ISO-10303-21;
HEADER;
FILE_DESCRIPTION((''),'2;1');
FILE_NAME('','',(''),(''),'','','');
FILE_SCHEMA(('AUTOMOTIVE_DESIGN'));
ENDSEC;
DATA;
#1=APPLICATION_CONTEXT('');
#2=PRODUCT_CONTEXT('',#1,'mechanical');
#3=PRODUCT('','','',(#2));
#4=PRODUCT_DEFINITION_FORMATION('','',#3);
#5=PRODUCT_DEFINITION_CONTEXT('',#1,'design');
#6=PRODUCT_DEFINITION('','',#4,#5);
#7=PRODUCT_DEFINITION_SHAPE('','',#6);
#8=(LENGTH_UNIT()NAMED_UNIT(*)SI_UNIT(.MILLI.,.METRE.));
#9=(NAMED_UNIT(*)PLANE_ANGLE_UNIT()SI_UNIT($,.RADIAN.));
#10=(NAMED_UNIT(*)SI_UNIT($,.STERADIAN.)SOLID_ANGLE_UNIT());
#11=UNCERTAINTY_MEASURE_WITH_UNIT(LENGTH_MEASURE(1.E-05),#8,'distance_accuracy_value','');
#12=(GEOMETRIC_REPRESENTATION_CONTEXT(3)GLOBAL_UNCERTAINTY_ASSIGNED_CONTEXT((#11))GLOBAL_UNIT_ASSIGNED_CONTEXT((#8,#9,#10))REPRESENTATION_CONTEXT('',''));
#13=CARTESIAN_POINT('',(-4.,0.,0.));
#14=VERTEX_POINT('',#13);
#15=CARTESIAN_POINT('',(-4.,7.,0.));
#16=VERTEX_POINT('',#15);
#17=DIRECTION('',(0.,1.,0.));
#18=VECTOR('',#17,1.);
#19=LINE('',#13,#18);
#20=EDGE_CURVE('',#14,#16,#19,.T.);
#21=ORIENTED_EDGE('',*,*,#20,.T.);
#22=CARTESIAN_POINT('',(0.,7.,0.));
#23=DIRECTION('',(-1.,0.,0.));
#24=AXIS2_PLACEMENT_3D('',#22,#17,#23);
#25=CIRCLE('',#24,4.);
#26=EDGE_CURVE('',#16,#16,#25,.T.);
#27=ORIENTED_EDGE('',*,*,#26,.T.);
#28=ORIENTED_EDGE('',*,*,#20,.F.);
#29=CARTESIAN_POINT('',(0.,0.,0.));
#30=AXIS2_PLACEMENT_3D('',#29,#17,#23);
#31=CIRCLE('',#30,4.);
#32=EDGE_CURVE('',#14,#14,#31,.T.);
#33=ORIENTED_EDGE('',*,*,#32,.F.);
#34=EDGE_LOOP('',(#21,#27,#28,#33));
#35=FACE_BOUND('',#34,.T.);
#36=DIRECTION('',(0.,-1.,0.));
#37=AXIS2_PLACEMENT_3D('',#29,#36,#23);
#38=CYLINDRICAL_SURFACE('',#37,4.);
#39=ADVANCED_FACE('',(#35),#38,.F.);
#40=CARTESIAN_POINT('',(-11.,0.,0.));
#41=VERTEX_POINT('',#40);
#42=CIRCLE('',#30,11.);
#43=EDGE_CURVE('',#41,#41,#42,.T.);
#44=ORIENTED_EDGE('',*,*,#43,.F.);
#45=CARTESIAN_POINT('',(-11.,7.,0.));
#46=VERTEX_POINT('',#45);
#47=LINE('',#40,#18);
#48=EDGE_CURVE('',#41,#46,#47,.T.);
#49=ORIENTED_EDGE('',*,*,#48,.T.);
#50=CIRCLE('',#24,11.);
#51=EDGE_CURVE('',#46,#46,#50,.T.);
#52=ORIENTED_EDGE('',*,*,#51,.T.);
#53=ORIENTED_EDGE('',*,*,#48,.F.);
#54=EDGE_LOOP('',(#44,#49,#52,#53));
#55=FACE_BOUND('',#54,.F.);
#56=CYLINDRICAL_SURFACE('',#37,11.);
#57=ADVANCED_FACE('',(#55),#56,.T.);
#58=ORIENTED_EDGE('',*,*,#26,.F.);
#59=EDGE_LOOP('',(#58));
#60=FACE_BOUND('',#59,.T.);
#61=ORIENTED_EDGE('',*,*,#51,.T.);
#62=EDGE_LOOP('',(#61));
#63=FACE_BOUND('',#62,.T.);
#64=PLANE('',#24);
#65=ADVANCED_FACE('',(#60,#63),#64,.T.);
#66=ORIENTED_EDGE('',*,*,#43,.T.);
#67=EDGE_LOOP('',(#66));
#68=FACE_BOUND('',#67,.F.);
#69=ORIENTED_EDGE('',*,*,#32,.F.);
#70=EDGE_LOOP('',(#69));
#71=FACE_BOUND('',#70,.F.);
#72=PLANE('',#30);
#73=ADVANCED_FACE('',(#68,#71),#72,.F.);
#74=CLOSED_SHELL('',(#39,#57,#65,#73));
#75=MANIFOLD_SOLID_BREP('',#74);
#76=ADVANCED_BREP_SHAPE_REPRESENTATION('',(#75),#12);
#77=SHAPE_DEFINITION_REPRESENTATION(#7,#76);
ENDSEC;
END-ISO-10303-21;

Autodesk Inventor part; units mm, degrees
ref_plane "YZ Plane" through (0, 0, 0) normal (1, 0, 0) x (0, 1, 0)
ref_plane "XZ Plane" through (0, 0, 0) normal (0, 1, 0) x (-1, 0, 0)
ref_plane "XY Plane" through (0, 0, 0) normal (0, 0, 1) x (1, 0, 0)
sketch "スケッチ1" plane through (0, 0, 0) normal (0, 1, 0) x (-1, 0, 0)
  circle A0 centre (0, 0) radius 4
  circle A1 centre (0, 0) radius 11
  dimension "d0" = 8
  dimension "d1" = 22
extrude "押し出し1" add sketch "スケッチ1" along normal blind 7
properties part number "bear_f8_22" material "ステンレス鋼 440C"
